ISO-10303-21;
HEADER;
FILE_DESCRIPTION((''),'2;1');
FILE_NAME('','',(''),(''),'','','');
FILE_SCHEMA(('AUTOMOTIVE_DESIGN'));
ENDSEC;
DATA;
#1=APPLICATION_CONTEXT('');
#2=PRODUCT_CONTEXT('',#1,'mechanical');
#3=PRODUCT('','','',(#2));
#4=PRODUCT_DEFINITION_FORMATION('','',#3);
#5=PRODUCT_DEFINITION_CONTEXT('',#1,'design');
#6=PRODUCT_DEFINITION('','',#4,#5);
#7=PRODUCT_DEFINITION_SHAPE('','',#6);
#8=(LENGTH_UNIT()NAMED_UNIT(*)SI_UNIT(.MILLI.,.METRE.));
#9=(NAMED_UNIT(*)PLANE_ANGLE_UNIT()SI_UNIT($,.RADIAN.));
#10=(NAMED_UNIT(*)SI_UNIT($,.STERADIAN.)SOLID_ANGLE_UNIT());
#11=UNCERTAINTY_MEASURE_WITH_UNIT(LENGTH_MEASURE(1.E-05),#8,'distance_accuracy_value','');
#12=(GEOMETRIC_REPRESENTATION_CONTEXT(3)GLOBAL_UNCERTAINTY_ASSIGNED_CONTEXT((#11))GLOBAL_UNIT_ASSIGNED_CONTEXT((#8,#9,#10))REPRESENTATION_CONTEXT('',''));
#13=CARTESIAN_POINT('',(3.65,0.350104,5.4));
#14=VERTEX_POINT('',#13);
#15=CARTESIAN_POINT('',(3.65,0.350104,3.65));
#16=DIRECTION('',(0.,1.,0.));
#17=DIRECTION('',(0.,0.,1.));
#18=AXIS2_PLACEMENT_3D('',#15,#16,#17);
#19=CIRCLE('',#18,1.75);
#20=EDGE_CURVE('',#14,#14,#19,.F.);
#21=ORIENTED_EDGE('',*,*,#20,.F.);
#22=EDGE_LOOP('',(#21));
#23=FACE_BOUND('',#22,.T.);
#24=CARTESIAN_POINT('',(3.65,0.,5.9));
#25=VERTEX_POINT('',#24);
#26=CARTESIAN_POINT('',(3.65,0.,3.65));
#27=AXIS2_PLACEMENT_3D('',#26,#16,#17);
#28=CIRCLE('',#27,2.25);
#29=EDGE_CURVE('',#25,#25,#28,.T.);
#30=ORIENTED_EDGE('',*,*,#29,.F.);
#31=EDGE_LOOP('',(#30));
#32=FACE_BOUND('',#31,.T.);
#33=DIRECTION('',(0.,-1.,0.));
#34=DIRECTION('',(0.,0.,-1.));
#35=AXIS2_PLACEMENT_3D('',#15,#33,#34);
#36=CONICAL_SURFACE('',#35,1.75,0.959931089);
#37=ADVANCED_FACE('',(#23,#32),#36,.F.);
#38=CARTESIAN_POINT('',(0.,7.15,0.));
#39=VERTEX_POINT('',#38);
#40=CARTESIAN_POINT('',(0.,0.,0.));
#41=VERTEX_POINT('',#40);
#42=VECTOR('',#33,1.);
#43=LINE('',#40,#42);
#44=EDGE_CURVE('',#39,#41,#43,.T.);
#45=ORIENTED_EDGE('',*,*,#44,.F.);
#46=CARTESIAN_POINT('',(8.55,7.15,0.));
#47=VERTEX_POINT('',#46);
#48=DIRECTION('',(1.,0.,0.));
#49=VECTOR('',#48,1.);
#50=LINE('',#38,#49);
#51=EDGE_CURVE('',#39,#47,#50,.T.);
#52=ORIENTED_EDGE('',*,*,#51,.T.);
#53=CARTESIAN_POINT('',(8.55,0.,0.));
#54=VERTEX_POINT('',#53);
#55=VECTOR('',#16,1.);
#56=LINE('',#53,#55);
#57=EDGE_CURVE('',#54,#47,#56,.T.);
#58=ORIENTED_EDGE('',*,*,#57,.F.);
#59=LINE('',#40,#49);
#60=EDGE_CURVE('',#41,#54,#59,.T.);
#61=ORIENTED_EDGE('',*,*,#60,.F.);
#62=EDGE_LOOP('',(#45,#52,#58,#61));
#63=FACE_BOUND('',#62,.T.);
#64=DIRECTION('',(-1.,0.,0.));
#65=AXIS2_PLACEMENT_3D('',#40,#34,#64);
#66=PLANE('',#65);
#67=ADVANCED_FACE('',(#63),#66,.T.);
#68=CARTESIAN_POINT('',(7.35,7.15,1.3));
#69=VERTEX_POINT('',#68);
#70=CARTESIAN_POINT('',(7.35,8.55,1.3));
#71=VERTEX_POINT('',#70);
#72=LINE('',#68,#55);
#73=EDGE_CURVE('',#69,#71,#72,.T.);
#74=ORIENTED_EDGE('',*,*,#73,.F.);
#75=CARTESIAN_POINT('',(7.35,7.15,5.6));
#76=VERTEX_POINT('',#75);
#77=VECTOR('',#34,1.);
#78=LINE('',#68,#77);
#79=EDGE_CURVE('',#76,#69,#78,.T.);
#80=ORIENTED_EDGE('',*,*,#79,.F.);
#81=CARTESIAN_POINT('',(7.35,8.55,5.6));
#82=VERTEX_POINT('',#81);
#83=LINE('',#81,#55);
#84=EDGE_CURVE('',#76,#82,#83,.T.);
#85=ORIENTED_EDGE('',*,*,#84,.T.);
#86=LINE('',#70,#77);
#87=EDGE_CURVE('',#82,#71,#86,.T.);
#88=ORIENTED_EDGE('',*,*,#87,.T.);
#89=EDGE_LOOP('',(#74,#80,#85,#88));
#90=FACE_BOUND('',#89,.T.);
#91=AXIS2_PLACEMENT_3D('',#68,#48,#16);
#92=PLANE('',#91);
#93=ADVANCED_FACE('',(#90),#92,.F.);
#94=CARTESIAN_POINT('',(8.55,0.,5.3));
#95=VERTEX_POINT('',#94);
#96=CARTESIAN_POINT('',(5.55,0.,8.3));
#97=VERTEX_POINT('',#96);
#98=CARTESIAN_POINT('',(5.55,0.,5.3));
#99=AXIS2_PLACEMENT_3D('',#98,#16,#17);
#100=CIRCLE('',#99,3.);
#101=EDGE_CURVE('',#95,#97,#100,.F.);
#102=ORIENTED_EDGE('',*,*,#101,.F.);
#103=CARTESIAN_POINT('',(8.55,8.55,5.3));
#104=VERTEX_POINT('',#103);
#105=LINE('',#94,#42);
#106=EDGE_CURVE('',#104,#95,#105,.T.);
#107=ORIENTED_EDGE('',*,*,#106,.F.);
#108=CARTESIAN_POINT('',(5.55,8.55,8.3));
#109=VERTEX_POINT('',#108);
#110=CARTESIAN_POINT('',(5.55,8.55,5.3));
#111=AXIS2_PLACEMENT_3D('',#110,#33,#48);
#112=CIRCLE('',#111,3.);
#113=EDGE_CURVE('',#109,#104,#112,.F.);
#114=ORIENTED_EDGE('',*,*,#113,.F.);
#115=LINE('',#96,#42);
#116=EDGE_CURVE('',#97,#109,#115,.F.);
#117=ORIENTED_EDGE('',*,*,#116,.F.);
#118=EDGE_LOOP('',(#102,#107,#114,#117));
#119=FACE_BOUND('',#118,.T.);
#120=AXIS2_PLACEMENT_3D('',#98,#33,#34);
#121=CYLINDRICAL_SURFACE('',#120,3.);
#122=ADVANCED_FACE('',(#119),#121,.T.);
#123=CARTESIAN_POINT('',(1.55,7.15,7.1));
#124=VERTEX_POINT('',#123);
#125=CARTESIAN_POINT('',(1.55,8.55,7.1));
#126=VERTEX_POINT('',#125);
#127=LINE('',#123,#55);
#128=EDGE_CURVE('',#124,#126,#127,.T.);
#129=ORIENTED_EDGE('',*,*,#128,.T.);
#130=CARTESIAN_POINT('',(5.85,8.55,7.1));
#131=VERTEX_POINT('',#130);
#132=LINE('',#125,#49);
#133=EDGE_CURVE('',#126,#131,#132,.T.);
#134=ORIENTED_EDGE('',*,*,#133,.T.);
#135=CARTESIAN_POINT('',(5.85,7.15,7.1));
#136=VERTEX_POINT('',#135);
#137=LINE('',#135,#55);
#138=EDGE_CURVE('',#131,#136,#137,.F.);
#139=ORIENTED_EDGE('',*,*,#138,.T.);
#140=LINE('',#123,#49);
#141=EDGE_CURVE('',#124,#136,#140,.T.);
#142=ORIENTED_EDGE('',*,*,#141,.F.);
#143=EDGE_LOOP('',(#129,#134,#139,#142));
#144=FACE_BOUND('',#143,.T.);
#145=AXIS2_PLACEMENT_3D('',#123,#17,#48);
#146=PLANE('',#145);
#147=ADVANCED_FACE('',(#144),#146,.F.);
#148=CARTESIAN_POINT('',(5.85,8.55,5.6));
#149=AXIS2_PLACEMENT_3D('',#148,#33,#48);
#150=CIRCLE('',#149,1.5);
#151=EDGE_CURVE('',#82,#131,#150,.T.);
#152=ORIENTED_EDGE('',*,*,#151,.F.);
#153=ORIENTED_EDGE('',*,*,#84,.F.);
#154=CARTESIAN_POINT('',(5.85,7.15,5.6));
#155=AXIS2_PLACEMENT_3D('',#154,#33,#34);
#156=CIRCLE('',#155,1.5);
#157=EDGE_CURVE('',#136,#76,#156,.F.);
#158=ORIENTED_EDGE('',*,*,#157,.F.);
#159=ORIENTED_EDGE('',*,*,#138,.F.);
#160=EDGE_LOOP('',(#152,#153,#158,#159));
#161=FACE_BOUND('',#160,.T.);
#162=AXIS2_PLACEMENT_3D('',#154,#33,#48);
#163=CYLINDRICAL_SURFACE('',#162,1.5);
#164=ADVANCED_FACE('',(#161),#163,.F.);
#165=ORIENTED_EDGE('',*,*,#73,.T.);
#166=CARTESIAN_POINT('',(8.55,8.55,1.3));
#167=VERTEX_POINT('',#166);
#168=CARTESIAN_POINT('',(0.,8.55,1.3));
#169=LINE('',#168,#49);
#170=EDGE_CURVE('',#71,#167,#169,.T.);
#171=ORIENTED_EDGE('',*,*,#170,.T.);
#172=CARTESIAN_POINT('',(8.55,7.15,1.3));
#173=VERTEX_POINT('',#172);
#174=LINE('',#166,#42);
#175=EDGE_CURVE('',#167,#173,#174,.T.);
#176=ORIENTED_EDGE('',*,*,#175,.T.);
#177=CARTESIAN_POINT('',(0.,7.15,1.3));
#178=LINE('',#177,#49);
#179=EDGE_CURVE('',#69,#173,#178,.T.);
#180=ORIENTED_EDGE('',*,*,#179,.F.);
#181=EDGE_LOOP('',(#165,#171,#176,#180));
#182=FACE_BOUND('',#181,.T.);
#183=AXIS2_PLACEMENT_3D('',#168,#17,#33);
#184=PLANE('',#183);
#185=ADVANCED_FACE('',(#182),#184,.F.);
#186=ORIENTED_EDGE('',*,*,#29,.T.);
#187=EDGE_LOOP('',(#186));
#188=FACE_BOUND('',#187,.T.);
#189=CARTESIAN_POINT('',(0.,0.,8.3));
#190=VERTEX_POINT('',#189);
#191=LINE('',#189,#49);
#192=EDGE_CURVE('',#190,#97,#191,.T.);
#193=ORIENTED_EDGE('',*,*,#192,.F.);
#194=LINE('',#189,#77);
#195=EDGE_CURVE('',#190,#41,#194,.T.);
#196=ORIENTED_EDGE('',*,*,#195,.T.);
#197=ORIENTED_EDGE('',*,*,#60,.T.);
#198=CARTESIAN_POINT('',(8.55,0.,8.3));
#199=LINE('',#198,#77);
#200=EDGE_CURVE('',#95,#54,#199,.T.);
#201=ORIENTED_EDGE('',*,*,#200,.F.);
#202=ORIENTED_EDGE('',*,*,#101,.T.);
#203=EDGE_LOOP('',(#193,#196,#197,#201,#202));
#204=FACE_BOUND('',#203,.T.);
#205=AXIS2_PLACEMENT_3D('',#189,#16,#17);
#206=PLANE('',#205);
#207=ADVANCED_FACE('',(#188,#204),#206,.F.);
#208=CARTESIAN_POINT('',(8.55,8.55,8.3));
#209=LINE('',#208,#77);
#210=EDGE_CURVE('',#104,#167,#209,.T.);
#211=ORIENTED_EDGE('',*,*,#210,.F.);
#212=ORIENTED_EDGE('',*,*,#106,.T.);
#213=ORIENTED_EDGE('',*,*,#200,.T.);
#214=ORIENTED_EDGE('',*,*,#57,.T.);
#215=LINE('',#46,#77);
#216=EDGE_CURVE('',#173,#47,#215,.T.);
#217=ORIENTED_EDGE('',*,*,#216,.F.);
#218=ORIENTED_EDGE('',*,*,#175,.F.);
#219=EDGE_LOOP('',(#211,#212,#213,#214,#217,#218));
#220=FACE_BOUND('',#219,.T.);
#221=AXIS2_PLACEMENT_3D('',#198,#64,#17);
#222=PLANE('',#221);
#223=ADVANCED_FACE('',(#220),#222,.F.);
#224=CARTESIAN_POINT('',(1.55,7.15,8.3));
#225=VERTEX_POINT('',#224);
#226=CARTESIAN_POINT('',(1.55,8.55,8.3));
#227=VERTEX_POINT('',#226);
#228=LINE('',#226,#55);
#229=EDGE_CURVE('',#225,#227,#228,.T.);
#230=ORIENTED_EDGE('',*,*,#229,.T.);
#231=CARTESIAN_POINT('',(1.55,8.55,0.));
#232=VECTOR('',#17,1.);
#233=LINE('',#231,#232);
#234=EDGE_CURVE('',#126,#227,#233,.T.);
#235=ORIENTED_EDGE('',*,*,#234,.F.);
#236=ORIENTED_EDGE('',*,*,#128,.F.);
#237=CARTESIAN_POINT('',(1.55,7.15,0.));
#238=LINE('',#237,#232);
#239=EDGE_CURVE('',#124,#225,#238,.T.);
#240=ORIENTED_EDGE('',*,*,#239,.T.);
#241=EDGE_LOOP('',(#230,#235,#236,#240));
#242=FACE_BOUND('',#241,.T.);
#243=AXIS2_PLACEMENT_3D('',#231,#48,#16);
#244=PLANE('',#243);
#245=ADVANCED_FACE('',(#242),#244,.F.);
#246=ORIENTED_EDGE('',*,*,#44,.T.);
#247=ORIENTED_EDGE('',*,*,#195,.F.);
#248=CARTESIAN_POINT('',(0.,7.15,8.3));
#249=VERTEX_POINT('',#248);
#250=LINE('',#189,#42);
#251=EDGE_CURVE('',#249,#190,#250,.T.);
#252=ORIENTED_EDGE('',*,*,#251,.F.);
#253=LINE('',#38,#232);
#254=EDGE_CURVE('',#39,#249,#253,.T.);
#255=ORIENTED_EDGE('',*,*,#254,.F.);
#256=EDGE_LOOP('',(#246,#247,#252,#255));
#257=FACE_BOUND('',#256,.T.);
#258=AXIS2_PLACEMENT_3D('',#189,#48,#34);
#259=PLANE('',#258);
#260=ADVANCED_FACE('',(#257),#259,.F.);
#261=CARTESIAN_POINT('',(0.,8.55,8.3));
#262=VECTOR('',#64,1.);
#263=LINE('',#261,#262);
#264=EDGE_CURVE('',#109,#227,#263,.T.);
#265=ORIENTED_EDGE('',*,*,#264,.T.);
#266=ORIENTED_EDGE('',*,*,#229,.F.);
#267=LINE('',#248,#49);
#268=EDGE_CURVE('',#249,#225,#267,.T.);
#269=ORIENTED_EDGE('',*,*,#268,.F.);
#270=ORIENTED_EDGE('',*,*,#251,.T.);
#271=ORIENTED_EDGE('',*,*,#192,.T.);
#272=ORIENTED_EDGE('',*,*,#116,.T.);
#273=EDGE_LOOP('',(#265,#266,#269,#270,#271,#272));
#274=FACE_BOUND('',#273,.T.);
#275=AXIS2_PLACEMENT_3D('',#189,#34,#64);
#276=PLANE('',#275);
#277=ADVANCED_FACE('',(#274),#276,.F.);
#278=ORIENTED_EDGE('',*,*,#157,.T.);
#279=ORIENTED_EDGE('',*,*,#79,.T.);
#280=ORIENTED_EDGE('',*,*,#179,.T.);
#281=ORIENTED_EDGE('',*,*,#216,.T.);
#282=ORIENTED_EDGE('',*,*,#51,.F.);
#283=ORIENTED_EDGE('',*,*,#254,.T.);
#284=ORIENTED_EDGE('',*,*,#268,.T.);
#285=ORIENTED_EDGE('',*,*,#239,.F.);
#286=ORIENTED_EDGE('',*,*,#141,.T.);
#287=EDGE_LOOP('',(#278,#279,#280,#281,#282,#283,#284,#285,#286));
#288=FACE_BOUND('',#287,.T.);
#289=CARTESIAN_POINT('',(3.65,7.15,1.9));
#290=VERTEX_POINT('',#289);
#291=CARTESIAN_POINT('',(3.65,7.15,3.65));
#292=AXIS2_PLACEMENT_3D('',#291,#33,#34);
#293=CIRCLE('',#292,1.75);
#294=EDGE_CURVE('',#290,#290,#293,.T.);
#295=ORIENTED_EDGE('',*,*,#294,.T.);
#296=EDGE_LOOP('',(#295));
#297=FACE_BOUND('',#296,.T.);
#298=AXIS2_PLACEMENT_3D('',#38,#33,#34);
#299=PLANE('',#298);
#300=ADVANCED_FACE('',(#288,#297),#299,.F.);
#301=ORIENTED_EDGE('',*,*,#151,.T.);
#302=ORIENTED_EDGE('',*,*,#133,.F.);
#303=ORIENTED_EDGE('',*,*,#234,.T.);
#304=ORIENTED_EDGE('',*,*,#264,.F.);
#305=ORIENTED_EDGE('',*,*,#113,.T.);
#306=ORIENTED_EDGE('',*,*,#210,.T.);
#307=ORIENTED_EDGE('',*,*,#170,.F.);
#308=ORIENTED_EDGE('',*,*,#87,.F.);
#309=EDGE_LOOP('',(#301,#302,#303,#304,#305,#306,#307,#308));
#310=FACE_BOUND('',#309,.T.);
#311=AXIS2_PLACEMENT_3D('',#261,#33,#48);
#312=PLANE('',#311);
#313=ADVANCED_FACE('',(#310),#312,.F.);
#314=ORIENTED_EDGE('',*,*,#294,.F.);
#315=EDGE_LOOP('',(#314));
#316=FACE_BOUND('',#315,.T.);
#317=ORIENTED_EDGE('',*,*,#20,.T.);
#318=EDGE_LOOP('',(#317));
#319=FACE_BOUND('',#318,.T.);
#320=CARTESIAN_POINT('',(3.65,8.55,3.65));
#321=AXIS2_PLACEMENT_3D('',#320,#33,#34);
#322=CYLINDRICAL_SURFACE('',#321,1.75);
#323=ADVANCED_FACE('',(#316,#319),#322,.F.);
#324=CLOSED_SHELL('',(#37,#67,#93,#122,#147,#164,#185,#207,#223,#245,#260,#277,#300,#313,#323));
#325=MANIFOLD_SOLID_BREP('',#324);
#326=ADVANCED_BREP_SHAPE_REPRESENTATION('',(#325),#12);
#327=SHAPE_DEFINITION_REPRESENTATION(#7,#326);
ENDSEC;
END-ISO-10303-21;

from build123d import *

# Parameters (mm, degrees)
SKETCH1_W           = 8.55
SKETCH1_H           = 8.55
BOSS_EXTRUDE1_DEPTH = 8.3
SKETCH2_W           = 1.55
SKETCH2_H           = 1.4
CUT_EXTRUDE1_DEPTH  = 9.3
SKETCH3_W           = 1.3
SKETCH3_H           = 1.4
CUT_EXTRUDE2_DEPTH  = 9.55
SKETCH4_W           = 5.8
SKETCH4_H           = 5.8
CUT_EXTRUDE3_DEPTH  = 1.4
FILLET1_R           = 1.5
FILLET2_R           = 3
SKETCH5_R           = 1.75
CUT_EXTRUDE4_DEPTH  = 9.55
CHAMFER1_SIZE       = 0.5
CHAMFER1_SIZE2      = 0.350103769


with BuildPart() as part:
    # Sketch1 → Boss-Extrude1 (new body)
    with BuildSketch(Plane.XY):
        with Locations((4.275, 4.275)):
            Rectangle(SKETCH1_W, SKETCH1_H)
    extrude(amount=BOSS_EXTRUDE1_DEPTH)

    # Sketch2 → Cut-Extrude1 (cut, through all)
    with BuildSketch(Plane.XY.offset(8.3)):
        with Locations((0.775, 7.85)):
            Rectangle(SKETCH2_W, SKETCH2_H)
    extrude(amount=-CUT_EXTRUDE1_DEPTH, mode=Mode.SUBTRACT)

    # Sketch3 → Cut-Extrude2 (cut, through all)
    with BuildSketch(Plane(origin=(8.55, 0, 0), x_dir=(0, 0, -1), z_dir=(1, 0, 0))):
        with Locations((-0.65, 7.85)):
            Rectangle(SKETCH3_W, SKETCH3_H)
    extrude(amount=-CUT_EXTRUDE2_DEPTH, mode=Mode.SUBTRACT)

    # Sketch4 → Cut-Extrude3 (cut)
    with BuildSketch(Plane(origin=(0, 8.55, 0), x_dir=(1, 0, 0), z_dir=(0, 1, 0))):
        with Locations((4.45, -4.2)):
            Rectangle(SKETCH4_W, SKETCH4_H)
    extrude(amount=-CUT_EXTRUDE3_DEPTH, mode=Mode.SUBTRACT)

    # Fillet1
    fillet1_edges = [part.edges().sort_by_distance(p)[0] for p in [
        (7.35, 7.85, 7.1),
    ]]
    fillet(fillet1_edges, radius=FILLET1_R)

    # Fillet2
    fillet2_edges = [part.edges().sort_by_distance(p)[0] for p in [
        (8.55, 4.275, 8.3),
    ]]
    fillet(fillet2_edges, radius=FILLET2_R)

    # Sketch5 → Cut-Extrude4 (cut, through all)
    with BuildSketch(Plane.XZ):
        with Locations((3.65, 3.65)):
            Circle(SKETCH5_R)
    extrude(amount=-CUT_EXTRUDE4_DEPTH, mode=Mode.SUBTRACT)

    # Chamfer1
    chamfer1_edges = [part.edges().sort_by_distance(p)[0] for p in [
        (1.9, 0, 3.65),
    ]]
    chamfer1_side = [part.faces().sort_by_distance(p)[0] for p in [
        (8.430839394, 0, 2.65),
    ]]
    chamfer(chamfer1_edges, length=CHAMFER1_SIZE, length2=CHAMFER1_SIZE2, reference=chamfer1_side[0])


solid = part.part
